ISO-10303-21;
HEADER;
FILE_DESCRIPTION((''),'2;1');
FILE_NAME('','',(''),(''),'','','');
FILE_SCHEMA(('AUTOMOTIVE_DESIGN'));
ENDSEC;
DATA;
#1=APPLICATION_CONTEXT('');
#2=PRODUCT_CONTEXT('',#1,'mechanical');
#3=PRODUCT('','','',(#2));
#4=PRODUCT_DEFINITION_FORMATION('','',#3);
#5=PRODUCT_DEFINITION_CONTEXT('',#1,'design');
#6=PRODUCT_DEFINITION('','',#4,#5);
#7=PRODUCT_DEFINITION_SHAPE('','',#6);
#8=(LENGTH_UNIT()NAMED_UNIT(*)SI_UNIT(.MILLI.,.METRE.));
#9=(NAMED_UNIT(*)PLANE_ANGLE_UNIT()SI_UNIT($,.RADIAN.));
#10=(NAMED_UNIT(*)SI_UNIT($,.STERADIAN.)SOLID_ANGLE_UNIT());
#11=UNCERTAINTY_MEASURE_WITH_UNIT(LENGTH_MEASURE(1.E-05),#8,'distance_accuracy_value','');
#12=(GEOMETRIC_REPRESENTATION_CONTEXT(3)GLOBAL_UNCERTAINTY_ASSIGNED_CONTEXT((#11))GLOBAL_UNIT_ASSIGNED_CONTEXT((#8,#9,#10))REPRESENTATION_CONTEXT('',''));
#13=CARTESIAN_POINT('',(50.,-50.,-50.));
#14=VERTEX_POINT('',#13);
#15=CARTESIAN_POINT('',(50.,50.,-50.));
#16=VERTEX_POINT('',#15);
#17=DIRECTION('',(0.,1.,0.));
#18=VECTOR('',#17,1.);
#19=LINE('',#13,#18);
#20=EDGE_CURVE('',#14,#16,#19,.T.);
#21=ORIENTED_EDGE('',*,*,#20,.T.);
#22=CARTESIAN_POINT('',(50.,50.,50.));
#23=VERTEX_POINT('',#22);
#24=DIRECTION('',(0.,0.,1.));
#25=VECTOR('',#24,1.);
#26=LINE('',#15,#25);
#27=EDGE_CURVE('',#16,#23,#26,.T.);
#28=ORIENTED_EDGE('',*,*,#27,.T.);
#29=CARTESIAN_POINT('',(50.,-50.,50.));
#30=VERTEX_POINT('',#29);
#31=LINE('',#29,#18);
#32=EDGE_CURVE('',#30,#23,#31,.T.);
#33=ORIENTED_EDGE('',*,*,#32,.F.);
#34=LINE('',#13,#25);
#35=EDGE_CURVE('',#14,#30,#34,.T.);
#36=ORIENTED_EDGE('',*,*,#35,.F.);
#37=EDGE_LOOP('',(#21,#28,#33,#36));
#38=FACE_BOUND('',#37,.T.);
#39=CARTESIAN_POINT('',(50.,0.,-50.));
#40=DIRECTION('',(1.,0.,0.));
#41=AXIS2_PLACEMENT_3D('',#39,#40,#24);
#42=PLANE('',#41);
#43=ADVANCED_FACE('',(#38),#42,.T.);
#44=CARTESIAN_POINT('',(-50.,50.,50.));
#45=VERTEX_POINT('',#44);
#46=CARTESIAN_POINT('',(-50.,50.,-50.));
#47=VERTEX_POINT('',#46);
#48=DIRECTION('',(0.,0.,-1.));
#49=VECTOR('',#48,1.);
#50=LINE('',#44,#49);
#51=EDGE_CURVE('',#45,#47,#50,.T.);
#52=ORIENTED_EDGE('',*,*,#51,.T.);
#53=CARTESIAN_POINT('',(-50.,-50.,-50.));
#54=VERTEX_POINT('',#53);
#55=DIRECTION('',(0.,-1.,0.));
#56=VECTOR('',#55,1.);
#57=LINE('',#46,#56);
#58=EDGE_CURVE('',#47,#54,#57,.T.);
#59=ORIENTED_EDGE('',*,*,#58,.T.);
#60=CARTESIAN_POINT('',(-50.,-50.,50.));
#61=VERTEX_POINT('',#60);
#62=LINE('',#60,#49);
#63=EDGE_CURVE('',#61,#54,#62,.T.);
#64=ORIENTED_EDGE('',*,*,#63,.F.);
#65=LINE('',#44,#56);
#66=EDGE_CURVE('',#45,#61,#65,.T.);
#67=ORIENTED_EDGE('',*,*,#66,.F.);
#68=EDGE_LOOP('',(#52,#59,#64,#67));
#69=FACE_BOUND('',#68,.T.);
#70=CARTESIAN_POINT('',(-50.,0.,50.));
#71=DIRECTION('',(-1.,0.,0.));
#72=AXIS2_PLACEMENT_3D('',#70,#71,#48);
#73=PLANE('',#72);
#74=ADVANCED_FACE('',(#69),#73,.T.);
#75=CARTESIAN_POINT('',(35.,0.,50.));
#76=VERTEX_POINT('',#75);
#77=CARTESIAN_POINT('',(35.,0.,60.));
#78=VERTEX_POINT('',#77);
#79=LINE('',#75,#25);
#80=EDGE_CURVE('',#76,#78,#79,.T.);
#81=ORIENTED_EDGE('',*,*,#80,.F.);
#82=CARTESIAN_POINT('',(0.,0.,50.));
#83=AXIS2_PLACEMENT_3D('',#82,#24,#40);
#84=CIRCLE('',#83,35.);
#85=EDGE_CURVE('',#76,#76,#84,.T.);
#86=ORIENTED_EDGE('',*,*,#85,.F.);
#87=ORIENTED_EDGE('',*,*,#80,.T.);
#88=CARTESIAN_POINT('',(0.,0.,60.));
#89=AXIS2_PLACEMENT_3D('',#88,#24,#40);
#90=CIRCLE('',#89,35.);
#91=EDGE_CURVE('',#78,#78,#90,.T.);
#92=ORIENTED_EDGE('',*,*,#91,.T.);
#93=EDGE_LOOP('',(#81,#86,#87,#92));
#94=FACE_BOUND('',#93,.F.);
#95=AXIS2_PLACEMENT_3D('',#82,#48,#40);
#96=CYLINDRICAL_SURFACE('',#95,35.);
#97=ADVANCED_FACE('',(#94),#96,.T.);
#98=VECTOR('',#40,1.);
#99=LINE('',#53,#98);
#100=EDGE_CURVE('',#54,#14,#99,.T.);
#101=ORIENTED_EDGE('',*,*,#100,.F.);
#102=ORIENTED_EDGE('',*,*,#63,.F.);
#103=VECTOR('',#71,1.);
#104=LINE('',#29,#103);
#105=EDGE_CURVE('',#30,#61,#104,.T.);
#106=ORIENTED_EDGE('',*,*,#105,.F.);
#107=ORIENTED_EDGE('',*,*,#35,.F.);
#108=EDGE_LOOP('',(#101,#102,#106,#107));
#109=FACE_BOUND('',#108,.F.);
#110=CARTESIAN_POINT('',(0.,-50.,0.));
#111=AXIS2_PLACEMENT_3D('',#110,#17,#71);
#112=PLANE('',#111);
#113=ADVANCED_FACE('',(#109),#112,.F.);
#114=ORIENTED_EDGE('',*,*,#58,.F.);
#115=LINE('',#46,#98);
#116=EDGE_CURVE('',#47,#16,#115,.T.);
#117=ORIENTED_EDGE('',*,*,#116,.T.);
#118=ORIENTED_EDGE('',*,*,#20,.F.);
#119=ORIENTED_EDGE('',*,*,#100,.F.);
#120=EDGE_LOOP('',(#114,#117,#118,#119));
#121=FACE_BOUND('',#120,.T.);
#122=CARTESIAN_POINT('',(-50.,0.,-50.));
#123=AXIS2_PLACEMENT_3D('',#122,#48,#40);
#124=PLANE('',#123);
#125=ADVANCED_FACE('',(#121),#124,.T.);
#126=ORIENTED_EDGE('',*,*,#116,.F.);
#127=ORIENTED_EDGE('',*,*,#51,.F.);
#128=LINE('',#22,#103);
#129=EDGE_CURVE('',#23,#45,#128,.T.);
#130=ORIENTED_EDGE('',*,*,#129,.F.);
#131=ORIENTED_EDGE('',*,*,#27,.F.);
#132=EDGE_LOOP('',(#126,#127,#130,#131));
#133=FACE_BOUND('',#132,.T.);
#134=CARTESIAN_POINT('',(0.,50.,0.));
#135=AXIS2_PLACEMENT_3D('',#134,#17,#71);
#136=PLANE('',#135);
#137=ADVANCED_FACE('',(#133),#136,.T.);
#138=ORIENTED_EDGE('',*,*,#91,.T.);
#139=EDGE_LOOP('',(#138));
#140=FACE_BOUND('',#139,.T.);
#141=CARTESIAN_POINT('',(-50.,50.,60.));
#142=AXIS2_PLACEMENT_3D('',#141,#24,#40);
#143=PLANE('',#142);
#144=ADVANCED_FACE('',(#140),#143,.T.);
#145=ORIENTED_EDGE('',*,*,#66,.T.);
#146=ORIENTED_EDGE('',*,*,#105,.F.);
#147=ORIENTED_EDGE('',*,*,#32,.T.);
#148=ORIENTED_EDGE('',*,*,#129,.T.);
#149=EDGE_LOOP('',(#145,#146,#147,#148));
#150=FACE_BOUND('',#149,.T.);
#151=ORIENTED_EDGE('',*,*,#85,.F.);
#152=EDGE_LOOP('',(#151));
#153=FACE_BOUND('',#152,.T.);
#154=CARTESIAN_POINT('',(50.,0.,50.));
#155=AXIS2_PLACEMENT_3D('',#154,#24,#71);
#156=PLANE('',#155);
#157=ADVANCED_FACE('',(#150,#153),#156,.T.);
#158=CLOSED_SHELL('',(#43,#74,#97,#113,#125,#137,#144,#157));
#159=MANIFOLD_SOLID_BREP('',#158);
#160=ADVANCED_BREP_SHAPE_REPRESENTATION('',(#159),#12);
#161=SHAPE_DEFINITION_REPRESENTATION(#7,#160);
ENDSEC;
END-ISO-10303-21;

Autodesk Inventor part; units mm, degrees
ref_plane "YZ Plane" through (0, 0, 0) normal (1, 0, 0) x (0, 1, 0)
ref_plane "XZ Plane" through (0, 0, 0) normal (0, 1, 0) x (-1, 0, 0)
ref_plane "XY Plane" through (0, 0, 0) normal (0, 0, 1) x (1, 0, 0)
sketch "Эскиз1" plane through (0, 0, 0) normal (0, 1, 0) x (-1, 0, 0)
  line L0 (-50, 50) -> (50, 50)
  line L1 (50, 50) -> (50, -50)
  line L2 (50, -50) -> (-50, -50)
  line L3 (-50, -50) -> (-50, 50)
  line L4 (-50, 50) -> (50, -50) construction
  line L5 (50, 50) -> (-50, -50) construction
  point P0 (0, 0)
  dimension "d0" = 100
  dimension "d1" = 100
extrude "Выдавливание1" add sketch "Эскиз1" along normal mid plane 100
sketch "Эскиз2" plane through (-50, 50, 50) normal (0, 0, 1) x (1, 0, 0)
  circle A0 centre (50, -50) radius 35
  dimension "d4" = 70
extrude "Выдавливание2" add sketch "Эскиз2" along normal blind 10
properties part number "motor" material "Пластик АБС"
